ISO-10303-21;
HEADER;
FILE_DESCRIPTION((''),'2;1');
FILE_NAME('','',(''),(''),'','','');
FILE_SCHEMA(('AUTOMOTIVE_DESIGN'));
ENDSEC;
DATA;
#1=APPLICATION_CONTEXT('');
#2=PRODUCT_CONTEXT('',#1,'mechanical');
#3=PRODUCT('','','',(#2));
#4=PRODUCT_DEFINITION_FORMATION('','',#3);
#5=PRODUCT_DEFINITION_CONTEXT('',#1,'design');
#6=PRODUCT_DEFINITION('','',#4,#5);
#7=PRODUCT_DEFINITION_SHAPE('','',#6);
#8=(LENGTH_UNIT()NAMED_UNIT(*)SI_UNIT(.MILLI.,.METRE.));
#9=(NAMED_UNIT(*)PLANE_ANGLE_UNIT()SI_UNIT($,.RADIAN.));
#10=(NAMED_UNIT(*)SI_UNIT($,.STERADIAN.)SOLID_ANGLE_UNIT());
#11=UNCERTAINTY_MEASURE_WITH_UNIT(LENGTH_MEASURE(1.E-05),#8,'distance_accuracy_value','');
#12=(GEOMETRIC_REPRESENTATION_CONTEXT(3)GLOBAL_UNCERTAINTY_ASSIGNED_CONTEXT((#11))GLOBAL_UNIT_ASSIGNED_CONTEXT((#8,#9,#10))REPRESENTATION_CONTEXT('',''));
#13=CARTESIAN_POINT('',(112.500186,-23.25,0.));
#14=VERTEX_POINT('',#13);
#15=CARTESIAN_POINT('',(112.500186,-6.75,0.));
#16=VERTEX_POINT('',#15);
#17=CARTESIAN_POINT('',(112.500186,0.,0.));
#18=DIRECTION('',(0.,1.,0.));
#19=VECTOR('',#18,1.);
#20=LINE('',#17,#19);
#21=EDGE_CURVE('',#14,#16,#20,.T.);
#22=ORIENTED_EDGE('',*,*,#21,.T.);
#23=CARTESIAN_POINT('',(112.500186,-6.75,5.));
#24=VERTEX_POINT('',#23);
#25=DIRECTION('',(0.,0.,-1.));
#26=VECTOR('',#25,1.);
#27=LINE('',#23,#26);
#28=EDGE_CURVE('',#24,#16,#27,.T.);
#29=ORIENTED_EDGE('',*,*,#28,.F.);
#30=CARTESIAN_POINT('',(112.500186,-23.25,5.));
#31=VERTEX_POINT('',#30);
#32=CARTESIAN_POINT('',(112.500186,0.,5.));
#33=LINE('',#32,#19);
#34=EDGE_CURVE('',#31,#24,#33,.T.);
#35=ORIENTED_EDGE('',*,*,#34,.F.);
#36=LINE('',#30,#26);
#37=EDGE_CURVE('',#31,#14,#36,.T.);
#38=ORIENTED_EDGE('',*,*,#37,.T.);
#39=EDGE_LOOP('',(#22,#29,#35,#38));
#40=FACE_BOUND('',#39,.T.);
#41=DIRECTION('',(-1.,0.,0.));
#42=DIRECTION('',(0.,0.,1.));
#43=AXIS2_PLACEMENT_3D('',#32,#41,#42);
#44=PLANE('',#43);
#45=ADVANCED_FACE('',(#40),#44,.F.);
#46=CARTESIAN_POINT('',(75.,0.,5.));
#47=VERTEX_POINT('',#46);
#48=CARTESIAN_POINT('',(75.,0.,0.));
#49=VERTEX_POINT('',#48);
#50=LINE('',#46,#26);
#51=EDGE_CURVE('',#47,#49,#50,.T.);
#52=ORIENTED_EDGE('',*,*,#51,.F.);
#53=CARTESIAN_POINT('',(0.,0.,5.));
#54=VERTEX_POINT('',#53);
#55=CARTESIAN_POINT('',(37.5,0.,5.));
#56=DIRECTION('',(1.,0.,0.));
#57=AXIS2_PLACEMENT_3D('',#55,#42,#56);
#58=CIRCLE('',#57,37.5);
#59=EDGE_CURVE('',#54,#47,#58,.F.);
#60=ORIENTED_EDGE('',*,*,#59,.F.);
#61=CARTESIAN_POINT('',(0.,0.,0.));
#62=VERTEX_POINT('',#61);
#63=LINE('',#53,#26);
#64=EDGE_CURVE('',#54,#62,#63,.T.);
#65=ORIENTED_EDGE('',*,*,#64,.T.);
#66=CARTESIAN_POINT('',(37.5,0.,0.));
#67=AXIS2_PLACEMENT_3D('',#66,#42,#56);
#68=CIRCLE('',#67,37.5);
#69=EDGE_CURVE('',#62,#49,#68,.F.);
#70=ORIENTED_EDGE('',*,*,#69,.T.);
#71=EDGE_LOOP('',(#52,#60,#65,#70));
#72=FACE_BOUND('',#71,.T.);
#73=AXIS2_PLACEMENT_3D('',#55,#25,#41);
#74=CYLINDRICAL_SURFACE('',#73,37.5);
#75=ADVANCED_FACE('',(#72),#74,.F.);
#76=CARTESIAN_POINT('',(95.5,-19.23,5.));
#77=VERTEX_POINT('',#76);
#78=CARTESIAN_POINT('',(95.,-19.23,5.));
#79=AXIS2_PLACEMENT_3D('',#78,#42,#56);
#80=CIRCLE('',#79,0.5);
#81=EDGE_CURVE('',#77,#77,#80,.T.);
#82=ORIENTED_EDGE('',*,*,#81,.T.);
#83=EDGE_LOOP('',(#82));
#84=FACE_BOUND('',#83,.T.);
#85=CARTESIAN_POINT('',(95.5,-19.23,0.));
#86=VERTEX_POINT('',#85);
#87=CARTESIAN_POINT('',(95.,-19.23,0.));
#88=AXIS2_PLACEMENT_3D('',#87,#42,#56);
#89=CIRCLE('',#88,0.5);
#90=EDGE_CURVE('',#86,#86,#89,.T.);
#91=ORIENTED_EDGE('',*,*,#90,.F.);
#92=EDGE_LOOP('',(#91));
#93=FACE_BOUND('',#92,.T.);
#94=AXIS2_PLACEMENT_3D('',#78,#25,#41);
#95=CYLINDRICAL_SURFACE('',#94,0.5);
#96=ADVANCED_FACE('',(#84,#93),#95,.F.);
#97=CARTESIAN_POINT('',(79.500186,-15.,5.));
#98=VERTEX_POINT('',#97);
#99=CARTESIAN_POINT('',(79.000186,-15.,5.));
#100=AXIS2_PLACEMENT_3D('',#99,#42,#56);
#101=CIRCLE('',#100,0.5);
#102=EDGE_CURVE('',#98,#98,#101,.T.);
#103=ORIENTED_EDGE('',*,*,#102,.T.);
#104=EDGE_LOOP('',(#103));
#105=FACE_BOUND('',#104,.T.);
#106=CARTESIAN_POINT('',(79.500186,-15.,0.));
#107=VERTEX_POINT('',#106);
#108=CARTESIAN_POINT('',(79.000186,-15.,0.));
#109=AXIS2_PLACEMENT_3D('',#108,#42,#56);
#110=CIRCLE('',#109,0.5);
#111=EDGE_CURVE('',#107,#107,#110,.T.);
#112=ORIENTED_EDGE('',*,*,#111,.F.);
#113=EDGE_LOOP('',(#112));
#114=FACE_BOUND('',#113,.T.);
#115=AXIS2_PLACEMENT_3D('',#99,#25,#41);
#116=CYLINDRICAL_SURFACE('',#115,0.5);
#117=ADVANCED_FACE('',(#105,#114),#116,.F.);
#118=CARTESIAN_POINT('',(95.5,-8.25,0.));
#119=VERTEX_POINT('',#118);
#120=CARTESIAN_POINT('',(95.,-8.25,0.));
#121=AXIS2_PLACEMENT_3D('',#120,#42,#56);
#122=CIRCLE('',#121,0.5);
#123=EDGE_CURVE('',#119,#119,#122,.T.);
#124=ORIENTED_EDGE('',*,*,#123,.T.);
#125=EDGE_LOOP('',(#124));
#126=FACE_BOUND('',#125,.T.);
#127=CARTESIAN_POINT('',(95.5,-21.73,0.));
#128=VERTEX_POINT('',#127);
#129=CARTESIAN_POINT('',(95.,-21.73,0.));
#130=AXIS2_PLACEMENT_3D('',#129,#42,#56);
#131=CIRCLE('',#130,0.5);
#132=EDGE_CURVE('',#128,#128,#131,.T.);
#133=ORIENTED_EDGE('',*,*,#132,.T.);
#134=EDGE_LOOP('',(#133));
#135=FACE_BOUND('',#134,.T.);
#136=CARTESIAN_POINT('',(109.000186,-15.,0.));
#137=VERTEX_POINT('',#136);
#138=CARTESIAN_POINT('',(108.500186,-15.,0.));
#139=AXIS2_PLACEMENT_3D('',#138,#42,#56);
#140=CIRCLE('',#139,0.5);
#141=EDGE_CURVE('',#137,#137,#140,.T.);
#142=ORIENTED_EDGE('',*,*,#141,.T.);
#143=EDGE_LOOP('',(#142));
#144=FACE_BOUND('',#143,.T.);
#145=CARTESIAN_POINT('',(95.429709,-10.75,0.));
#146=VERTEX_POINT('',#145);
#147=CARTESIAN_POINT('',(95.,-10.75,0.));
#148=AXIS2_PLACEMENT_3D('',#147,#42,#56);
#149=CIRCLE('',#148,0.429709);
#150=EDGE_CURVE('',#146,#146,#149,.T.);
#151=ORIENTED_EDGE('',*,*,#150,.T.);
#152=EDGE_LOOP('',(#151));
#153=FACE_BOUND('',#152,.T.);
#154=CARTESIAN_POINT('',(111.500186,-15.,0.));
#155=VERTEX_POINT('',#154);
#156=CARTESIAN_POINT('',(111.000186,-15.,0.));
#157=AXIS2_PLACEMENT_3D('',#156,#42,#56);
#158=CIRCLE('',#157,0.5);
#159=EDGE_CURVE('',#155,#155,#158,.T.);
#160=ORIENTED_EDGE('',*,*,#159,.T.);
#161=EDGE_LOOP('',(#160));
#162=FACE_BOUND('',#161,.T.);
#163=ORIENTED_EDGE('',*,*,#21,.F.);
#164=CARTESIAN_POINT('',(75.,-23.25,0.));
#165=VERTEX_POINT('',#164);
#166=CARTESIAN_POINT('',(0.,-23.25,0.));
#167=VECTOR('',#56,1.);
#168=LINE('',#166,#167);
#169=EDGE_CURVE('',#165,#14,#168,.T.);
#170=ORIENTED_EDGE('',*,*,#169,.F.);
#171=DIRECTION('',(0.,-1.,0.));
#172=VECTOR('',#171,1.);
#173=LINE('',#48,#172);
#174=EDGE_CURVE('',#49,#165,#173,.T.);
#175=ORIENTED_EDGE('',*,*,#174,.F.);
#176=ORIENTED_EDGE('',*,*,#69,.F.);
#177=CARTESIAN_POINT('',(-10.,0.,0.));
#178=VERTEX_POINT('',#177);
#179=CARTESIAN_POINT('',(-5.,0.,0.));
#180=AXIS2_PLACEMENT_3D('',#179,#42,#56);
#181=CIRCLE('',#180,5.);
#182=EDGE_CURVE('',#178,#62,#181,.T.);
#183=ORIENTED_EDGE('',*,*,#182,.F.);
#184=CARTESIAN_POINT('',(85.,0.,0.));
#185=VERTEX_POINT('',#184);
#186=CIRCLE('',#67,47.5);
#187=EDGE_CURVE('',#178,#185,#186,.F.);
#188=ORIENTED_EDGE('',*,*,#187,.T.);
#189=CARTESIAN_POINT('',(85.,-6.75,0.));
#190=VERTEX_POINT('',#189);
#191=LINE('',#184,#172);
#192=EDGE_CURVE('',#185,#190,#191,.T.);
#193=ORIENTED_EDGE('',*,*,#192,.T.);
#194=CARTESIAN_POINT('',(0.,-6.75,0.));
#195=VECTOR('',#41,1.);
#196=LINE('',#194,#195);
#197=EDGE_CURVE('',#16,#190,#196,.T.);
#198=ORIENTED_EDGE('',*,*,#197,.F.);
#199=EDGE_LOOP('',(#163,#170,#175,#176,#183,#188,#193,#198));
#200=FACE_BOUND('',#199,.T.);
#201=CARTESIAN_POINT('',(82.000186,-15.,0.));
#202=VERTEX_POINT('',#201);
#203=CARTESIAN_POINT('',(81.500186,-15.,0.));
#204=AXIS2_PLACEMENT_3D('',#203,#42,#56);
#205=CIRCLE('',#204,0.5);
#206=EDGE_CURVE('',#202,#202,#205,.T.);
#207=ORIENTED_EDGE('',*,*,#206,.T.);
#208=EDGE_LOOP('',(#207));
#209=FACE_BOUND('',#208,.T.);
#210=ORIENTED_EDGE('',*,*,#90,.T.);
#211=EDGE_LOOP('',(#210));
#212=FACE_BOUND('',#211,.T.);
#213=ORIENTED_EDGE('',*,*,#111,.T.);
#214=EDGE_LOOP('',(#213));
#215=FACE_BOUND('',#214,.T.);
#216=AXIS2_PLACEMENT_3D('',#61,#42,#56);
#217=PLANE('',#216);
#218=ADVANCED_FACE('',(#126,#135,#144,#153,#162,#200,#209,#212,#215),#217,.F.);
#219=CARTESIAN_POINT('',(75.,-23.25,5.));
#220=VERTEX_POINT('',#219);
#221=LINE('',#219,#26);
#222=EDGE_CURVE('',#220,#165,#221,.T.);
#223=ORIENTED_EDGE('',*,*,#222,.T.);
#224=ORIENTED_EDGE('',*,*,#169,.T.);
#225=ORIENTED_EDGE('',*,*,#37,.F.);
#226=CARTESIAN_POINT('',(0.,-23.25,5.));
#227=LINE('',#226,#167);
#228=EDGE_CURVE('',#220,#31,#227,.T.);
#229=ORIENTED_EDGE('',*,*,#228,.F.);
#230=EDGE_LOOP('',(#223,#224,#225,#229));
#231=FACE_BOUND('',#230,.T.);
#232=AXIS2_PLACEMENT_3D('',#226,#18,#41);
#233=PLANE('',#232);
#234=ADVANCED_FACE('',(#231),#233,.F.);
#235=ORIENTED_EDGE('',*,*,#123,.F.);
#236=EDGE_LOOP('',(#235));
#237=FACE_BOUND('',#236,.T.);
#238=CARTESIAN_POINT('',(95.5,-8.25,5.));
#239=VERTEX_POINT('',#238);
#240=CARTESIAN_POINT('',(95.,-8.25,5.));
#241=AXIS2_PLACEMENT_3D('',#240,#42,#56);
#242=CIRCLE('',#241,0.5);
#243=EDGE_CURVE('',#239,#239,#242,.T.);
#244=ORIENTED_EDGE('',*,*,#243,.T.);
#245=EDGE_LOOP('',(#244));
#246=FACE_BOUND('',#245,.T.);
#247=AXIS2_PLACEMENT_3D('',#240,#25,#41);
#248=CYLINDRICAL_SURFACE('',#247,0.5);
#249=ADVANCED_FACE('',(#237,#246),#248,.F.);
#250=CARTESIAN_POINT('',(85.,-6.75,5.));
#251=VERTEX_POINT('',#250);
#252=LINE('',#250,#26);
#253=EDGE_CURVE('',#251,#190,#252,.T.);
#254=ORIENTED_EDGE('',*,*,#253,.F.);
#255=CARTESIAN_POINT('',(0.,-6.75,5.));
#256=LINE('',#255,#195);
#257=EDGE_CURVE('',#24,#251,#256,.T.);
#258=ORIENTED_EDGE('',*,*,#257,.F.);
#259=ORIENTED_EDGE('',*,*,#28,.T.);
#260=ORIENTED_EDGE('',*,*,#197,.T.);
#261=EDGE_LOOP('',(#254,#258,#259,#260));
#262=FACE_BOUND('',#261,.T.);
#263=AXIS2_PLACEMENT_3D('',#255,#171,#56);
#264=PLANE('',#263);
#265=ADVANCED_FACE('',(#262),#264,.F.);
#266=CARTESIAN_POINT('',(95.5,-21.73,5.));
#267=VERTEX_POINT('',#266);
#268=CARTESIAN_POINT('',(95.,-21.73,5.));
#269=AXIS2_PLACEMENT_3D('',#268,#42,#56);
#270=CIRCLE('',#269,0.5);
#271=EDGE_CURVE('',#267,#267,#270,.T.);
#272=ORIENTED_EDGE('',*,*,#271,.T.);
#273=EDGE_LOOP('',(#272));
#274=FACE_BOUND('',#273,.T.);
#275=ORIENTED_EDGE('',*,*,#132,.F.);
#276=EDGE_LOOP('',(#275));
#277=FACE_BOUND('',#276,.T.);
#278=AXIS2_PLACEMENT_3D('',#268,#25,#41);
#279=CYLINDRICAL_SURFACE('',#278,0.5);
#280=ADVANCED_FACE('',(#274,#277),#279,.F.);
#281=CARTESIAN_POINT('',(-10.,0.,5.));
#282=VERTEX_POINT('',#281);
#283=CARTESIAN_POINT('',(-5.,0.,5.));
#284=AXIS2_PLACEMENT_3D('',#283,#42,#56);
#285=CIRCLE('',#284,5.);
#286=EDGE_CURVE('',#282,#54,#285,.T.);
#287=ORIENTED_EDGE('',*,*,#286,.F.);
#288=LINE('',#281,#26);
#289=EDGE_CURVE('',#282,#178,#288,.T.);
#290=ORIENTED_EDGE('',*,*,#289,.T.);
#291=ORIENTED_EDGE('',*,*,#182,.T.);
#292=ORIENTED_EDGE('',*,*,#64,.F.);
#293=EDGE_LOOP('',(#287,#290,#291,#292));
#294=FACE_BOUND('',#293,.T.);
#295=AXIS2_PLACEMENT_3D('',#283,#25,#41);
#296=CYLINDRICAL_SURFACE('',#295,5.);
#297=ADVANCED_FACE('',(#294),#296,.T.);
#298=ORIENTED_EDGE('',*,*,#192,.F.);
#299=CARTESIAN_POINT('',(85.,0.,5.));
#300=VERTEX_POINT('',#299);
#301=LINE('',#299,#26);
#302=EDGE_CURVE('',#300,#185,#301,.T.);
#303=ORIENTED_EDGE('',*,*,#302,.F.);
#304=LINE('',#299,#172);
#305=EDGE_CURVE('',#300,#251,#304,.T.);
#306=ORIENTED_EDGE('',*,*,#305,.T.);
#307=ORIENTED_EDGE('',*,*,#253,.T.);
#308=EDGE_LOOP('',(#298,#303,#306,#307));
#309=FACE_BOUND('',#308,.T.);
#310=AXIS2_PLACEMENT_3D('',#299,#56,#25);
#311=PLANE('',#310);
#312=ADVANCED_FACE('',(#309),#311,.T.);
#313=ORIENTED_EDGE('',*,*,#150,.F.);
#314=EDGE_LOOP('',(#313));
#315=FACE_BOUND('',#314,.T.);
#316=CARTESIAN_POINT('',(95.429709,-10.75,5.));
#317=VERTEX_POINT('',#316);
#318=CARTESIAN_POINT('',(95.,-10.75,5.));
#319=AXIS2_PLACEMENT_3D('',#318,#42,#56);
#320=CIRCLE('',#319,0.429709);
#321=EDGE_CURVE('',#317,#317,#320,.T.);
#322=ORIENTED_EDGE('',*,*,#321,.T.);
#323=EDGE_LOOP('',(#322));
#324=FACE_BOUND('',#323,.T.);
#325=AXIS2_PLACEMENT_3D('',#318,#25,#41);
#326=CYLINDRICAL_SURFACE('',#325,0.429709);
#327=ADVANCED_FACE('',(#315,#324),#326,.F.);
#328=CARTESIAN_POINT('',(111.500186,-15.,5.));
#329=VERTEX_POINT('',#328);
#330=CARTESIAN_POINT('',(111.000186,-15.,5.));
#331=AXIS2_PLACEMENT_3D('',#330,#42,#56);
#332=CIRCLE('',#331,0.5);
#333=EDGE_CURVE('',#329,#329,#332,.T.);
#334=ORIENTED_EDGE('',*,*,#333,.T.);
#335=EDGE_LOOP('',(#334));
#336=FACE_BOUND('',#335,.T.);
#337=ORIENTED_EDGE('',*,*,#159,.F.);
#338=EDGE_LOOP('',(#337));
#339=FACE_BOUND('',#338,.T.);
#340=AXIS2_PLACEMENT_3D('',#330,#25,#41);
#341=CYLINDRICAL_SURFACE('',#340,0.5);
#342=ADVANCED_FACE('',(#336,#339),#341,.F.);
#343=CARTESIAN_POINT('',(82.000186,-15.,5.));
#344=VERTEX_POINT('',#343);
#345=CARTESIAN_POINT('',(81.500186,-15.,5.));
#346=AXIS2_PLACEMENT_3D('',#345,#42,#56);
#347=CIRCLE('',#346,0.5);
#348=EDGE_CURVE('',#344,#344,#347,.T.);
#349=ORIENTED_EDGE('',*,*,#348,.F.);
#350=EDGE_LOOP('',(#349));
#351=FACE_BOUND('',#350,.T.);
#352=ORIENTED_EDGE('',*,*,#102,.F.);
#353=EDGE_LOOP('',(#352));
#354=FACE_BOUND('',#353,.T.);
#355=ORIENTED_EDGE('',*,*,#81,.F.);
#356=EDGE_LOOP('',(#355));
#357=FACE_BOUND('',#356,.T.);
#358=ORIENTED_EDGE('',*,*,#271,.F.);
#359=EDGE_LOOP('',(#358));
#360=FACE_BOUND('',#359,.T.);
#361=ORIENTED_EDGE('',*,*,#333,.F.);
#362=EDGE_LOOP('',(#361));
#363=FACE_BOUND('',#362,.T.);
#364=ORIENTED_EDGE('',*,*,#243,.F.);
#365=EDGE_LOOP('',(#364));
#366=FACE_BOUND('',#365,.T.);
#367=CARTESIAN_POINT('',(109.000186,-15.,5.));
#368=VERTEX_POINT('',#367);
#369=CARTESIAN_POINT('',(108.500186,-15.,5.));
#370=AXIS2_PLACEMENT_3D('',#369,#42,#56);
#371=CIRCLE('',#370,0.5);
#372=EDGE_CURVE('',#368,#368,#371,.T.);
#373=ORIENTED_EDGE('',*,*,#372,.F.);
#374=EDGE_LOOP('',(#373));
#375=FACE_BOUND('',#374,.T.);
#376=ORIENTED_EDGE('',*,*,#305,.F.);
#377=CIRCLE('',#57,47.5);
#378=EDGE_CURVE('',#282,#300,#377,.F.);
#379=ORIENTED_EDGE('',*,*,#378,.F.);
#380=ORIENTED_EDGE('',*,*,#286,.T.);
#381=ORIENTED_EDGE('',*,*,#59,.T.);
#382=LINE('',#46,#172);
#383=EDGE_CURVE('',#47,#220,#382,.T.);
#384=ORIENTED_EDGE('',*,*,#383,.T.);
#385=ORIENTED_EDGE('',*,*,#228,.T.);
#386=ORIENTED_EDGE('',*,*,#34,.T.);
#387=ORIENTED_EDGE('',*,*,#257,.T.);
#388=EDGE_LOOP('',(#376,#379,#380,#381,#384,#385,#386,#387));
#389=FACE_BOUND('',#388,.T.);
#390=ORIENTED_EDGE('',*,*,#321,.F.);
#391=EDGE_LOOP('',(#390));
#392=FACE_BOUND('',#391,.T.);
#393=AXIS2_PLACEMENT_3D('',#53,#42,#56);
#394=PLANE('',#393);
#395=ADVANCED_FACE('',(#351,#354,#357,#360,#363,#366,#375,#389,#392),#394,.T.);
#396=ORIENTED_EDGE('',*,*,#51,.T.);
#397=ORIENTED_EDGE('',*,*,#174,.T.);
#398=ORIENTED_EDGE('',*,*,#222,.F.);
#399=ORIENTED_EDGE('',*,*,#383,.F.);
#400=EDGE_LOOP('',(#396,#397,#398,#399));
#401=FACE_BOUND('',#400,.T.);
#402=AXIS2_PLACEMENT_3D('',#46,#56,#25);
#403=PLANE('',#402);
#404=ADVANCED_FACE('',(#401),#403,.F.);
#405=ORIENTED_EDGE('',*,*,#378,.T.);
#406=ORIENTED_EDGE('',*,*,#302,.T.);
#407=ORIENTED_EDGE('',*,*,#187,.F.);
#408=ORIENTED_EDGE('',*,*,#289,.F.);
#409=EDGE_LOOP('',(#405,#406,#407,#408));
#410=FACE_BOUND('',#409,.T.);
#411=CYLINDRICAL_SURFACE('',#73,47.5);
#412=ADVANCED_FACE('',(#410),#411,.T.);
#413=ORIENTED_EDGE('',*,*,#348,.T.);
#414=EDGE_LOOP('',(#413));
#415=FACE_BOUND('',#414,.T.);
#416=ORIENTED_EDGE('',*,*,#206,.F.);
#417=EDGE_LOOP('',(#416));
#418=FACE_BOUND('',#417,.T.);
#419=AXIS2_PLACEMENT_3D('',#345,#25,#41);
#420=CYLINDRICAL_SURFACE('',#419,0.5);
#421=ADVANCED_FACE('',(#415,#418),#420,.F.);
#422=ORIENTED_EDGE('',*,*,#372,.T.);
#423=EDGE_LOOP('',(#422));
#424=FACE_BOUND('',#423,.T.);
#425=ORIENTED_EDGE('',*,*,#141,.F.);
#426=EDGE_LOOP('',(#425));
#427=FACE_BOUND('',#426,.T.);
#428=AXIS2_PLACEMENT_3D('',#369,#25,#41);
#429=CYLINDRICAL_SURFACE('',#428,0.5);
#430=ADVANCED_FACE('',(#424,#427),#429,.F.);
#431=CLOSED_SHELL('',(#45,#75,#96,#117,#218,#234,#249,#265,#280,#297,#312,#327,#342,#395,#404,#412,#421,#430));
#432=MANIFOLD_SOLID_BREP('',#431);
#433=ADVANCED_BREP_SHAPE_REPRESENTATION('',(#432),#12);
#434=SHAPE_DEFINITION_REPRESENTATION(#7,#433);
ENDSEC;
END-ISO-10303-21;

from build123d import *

# Parameters (mm, degrees)
SKETCH1_R           = 0.5
SKETCH1_R_2         = 0.429709329
BOSS_EXTRUDE1_DEPTH = 5


with BuildPart() as part:
    # Sketch1 → Boss-Extrude1 (new body)
    with BuildSketch(Plane.XY):
        with BuildLine():
            Line((85, 0), (85, -6.75))
            Line((85, -6.75), (112.500186095, -6.75))
            Line((112.500186095, -6.75), (112.500186095, -23.25))
            Line((112.500186095, -23.25), (77.499813905, -23.25))
            Line((77.499813905, -23.25), (75, -23.25))
            Line((75, -23.25), (75, 0))
            ThreePointArc((75, 0), (37.5, 37.5), (0, 0))
            ThreePointArc((0, 0), (-5, -5), (-10, 0))
            ThreePointArc((-10, 0), (37.5, 47.5), (85, 0))
        make_face()
        with Locations((95, -8.25)):
            Circle(SKETCH1_R, mode=Mode.SUBTRACT)
        with Locations((95, -10.75)):
            Circle(SKETCH1_R_2, mode=Mode.SUBTRACT)
        with Locations((95, -21.73)):
            Circle(SKETCH1_R, mode=Mode.SUBTRACT)
        with Locations((95, -19.23)):
            Circle(SKETCH1_R, mode=Mode.SUBTRACT)
        with Locations((111.000186095, -15)):
            Circle(SKETCH1_R, mode=Mode.SUBTRACT)
        with Locations((108.500186095, -15)):
            Circle(SKETCH1_R, mode=Mode.SUBTRACT)
        with Locations((81.500186095, -15)):
            Circle(SKETCH1_R, mode=Mode.SUBTRACT)
        with Locations((79.000186095, -15)):
            Circle(SKETCH1_R, mode=Mode.SUBTRACT)
    extrude(amount=BOSS_EXTRUDE1_DEPTH)


solid = part.part
